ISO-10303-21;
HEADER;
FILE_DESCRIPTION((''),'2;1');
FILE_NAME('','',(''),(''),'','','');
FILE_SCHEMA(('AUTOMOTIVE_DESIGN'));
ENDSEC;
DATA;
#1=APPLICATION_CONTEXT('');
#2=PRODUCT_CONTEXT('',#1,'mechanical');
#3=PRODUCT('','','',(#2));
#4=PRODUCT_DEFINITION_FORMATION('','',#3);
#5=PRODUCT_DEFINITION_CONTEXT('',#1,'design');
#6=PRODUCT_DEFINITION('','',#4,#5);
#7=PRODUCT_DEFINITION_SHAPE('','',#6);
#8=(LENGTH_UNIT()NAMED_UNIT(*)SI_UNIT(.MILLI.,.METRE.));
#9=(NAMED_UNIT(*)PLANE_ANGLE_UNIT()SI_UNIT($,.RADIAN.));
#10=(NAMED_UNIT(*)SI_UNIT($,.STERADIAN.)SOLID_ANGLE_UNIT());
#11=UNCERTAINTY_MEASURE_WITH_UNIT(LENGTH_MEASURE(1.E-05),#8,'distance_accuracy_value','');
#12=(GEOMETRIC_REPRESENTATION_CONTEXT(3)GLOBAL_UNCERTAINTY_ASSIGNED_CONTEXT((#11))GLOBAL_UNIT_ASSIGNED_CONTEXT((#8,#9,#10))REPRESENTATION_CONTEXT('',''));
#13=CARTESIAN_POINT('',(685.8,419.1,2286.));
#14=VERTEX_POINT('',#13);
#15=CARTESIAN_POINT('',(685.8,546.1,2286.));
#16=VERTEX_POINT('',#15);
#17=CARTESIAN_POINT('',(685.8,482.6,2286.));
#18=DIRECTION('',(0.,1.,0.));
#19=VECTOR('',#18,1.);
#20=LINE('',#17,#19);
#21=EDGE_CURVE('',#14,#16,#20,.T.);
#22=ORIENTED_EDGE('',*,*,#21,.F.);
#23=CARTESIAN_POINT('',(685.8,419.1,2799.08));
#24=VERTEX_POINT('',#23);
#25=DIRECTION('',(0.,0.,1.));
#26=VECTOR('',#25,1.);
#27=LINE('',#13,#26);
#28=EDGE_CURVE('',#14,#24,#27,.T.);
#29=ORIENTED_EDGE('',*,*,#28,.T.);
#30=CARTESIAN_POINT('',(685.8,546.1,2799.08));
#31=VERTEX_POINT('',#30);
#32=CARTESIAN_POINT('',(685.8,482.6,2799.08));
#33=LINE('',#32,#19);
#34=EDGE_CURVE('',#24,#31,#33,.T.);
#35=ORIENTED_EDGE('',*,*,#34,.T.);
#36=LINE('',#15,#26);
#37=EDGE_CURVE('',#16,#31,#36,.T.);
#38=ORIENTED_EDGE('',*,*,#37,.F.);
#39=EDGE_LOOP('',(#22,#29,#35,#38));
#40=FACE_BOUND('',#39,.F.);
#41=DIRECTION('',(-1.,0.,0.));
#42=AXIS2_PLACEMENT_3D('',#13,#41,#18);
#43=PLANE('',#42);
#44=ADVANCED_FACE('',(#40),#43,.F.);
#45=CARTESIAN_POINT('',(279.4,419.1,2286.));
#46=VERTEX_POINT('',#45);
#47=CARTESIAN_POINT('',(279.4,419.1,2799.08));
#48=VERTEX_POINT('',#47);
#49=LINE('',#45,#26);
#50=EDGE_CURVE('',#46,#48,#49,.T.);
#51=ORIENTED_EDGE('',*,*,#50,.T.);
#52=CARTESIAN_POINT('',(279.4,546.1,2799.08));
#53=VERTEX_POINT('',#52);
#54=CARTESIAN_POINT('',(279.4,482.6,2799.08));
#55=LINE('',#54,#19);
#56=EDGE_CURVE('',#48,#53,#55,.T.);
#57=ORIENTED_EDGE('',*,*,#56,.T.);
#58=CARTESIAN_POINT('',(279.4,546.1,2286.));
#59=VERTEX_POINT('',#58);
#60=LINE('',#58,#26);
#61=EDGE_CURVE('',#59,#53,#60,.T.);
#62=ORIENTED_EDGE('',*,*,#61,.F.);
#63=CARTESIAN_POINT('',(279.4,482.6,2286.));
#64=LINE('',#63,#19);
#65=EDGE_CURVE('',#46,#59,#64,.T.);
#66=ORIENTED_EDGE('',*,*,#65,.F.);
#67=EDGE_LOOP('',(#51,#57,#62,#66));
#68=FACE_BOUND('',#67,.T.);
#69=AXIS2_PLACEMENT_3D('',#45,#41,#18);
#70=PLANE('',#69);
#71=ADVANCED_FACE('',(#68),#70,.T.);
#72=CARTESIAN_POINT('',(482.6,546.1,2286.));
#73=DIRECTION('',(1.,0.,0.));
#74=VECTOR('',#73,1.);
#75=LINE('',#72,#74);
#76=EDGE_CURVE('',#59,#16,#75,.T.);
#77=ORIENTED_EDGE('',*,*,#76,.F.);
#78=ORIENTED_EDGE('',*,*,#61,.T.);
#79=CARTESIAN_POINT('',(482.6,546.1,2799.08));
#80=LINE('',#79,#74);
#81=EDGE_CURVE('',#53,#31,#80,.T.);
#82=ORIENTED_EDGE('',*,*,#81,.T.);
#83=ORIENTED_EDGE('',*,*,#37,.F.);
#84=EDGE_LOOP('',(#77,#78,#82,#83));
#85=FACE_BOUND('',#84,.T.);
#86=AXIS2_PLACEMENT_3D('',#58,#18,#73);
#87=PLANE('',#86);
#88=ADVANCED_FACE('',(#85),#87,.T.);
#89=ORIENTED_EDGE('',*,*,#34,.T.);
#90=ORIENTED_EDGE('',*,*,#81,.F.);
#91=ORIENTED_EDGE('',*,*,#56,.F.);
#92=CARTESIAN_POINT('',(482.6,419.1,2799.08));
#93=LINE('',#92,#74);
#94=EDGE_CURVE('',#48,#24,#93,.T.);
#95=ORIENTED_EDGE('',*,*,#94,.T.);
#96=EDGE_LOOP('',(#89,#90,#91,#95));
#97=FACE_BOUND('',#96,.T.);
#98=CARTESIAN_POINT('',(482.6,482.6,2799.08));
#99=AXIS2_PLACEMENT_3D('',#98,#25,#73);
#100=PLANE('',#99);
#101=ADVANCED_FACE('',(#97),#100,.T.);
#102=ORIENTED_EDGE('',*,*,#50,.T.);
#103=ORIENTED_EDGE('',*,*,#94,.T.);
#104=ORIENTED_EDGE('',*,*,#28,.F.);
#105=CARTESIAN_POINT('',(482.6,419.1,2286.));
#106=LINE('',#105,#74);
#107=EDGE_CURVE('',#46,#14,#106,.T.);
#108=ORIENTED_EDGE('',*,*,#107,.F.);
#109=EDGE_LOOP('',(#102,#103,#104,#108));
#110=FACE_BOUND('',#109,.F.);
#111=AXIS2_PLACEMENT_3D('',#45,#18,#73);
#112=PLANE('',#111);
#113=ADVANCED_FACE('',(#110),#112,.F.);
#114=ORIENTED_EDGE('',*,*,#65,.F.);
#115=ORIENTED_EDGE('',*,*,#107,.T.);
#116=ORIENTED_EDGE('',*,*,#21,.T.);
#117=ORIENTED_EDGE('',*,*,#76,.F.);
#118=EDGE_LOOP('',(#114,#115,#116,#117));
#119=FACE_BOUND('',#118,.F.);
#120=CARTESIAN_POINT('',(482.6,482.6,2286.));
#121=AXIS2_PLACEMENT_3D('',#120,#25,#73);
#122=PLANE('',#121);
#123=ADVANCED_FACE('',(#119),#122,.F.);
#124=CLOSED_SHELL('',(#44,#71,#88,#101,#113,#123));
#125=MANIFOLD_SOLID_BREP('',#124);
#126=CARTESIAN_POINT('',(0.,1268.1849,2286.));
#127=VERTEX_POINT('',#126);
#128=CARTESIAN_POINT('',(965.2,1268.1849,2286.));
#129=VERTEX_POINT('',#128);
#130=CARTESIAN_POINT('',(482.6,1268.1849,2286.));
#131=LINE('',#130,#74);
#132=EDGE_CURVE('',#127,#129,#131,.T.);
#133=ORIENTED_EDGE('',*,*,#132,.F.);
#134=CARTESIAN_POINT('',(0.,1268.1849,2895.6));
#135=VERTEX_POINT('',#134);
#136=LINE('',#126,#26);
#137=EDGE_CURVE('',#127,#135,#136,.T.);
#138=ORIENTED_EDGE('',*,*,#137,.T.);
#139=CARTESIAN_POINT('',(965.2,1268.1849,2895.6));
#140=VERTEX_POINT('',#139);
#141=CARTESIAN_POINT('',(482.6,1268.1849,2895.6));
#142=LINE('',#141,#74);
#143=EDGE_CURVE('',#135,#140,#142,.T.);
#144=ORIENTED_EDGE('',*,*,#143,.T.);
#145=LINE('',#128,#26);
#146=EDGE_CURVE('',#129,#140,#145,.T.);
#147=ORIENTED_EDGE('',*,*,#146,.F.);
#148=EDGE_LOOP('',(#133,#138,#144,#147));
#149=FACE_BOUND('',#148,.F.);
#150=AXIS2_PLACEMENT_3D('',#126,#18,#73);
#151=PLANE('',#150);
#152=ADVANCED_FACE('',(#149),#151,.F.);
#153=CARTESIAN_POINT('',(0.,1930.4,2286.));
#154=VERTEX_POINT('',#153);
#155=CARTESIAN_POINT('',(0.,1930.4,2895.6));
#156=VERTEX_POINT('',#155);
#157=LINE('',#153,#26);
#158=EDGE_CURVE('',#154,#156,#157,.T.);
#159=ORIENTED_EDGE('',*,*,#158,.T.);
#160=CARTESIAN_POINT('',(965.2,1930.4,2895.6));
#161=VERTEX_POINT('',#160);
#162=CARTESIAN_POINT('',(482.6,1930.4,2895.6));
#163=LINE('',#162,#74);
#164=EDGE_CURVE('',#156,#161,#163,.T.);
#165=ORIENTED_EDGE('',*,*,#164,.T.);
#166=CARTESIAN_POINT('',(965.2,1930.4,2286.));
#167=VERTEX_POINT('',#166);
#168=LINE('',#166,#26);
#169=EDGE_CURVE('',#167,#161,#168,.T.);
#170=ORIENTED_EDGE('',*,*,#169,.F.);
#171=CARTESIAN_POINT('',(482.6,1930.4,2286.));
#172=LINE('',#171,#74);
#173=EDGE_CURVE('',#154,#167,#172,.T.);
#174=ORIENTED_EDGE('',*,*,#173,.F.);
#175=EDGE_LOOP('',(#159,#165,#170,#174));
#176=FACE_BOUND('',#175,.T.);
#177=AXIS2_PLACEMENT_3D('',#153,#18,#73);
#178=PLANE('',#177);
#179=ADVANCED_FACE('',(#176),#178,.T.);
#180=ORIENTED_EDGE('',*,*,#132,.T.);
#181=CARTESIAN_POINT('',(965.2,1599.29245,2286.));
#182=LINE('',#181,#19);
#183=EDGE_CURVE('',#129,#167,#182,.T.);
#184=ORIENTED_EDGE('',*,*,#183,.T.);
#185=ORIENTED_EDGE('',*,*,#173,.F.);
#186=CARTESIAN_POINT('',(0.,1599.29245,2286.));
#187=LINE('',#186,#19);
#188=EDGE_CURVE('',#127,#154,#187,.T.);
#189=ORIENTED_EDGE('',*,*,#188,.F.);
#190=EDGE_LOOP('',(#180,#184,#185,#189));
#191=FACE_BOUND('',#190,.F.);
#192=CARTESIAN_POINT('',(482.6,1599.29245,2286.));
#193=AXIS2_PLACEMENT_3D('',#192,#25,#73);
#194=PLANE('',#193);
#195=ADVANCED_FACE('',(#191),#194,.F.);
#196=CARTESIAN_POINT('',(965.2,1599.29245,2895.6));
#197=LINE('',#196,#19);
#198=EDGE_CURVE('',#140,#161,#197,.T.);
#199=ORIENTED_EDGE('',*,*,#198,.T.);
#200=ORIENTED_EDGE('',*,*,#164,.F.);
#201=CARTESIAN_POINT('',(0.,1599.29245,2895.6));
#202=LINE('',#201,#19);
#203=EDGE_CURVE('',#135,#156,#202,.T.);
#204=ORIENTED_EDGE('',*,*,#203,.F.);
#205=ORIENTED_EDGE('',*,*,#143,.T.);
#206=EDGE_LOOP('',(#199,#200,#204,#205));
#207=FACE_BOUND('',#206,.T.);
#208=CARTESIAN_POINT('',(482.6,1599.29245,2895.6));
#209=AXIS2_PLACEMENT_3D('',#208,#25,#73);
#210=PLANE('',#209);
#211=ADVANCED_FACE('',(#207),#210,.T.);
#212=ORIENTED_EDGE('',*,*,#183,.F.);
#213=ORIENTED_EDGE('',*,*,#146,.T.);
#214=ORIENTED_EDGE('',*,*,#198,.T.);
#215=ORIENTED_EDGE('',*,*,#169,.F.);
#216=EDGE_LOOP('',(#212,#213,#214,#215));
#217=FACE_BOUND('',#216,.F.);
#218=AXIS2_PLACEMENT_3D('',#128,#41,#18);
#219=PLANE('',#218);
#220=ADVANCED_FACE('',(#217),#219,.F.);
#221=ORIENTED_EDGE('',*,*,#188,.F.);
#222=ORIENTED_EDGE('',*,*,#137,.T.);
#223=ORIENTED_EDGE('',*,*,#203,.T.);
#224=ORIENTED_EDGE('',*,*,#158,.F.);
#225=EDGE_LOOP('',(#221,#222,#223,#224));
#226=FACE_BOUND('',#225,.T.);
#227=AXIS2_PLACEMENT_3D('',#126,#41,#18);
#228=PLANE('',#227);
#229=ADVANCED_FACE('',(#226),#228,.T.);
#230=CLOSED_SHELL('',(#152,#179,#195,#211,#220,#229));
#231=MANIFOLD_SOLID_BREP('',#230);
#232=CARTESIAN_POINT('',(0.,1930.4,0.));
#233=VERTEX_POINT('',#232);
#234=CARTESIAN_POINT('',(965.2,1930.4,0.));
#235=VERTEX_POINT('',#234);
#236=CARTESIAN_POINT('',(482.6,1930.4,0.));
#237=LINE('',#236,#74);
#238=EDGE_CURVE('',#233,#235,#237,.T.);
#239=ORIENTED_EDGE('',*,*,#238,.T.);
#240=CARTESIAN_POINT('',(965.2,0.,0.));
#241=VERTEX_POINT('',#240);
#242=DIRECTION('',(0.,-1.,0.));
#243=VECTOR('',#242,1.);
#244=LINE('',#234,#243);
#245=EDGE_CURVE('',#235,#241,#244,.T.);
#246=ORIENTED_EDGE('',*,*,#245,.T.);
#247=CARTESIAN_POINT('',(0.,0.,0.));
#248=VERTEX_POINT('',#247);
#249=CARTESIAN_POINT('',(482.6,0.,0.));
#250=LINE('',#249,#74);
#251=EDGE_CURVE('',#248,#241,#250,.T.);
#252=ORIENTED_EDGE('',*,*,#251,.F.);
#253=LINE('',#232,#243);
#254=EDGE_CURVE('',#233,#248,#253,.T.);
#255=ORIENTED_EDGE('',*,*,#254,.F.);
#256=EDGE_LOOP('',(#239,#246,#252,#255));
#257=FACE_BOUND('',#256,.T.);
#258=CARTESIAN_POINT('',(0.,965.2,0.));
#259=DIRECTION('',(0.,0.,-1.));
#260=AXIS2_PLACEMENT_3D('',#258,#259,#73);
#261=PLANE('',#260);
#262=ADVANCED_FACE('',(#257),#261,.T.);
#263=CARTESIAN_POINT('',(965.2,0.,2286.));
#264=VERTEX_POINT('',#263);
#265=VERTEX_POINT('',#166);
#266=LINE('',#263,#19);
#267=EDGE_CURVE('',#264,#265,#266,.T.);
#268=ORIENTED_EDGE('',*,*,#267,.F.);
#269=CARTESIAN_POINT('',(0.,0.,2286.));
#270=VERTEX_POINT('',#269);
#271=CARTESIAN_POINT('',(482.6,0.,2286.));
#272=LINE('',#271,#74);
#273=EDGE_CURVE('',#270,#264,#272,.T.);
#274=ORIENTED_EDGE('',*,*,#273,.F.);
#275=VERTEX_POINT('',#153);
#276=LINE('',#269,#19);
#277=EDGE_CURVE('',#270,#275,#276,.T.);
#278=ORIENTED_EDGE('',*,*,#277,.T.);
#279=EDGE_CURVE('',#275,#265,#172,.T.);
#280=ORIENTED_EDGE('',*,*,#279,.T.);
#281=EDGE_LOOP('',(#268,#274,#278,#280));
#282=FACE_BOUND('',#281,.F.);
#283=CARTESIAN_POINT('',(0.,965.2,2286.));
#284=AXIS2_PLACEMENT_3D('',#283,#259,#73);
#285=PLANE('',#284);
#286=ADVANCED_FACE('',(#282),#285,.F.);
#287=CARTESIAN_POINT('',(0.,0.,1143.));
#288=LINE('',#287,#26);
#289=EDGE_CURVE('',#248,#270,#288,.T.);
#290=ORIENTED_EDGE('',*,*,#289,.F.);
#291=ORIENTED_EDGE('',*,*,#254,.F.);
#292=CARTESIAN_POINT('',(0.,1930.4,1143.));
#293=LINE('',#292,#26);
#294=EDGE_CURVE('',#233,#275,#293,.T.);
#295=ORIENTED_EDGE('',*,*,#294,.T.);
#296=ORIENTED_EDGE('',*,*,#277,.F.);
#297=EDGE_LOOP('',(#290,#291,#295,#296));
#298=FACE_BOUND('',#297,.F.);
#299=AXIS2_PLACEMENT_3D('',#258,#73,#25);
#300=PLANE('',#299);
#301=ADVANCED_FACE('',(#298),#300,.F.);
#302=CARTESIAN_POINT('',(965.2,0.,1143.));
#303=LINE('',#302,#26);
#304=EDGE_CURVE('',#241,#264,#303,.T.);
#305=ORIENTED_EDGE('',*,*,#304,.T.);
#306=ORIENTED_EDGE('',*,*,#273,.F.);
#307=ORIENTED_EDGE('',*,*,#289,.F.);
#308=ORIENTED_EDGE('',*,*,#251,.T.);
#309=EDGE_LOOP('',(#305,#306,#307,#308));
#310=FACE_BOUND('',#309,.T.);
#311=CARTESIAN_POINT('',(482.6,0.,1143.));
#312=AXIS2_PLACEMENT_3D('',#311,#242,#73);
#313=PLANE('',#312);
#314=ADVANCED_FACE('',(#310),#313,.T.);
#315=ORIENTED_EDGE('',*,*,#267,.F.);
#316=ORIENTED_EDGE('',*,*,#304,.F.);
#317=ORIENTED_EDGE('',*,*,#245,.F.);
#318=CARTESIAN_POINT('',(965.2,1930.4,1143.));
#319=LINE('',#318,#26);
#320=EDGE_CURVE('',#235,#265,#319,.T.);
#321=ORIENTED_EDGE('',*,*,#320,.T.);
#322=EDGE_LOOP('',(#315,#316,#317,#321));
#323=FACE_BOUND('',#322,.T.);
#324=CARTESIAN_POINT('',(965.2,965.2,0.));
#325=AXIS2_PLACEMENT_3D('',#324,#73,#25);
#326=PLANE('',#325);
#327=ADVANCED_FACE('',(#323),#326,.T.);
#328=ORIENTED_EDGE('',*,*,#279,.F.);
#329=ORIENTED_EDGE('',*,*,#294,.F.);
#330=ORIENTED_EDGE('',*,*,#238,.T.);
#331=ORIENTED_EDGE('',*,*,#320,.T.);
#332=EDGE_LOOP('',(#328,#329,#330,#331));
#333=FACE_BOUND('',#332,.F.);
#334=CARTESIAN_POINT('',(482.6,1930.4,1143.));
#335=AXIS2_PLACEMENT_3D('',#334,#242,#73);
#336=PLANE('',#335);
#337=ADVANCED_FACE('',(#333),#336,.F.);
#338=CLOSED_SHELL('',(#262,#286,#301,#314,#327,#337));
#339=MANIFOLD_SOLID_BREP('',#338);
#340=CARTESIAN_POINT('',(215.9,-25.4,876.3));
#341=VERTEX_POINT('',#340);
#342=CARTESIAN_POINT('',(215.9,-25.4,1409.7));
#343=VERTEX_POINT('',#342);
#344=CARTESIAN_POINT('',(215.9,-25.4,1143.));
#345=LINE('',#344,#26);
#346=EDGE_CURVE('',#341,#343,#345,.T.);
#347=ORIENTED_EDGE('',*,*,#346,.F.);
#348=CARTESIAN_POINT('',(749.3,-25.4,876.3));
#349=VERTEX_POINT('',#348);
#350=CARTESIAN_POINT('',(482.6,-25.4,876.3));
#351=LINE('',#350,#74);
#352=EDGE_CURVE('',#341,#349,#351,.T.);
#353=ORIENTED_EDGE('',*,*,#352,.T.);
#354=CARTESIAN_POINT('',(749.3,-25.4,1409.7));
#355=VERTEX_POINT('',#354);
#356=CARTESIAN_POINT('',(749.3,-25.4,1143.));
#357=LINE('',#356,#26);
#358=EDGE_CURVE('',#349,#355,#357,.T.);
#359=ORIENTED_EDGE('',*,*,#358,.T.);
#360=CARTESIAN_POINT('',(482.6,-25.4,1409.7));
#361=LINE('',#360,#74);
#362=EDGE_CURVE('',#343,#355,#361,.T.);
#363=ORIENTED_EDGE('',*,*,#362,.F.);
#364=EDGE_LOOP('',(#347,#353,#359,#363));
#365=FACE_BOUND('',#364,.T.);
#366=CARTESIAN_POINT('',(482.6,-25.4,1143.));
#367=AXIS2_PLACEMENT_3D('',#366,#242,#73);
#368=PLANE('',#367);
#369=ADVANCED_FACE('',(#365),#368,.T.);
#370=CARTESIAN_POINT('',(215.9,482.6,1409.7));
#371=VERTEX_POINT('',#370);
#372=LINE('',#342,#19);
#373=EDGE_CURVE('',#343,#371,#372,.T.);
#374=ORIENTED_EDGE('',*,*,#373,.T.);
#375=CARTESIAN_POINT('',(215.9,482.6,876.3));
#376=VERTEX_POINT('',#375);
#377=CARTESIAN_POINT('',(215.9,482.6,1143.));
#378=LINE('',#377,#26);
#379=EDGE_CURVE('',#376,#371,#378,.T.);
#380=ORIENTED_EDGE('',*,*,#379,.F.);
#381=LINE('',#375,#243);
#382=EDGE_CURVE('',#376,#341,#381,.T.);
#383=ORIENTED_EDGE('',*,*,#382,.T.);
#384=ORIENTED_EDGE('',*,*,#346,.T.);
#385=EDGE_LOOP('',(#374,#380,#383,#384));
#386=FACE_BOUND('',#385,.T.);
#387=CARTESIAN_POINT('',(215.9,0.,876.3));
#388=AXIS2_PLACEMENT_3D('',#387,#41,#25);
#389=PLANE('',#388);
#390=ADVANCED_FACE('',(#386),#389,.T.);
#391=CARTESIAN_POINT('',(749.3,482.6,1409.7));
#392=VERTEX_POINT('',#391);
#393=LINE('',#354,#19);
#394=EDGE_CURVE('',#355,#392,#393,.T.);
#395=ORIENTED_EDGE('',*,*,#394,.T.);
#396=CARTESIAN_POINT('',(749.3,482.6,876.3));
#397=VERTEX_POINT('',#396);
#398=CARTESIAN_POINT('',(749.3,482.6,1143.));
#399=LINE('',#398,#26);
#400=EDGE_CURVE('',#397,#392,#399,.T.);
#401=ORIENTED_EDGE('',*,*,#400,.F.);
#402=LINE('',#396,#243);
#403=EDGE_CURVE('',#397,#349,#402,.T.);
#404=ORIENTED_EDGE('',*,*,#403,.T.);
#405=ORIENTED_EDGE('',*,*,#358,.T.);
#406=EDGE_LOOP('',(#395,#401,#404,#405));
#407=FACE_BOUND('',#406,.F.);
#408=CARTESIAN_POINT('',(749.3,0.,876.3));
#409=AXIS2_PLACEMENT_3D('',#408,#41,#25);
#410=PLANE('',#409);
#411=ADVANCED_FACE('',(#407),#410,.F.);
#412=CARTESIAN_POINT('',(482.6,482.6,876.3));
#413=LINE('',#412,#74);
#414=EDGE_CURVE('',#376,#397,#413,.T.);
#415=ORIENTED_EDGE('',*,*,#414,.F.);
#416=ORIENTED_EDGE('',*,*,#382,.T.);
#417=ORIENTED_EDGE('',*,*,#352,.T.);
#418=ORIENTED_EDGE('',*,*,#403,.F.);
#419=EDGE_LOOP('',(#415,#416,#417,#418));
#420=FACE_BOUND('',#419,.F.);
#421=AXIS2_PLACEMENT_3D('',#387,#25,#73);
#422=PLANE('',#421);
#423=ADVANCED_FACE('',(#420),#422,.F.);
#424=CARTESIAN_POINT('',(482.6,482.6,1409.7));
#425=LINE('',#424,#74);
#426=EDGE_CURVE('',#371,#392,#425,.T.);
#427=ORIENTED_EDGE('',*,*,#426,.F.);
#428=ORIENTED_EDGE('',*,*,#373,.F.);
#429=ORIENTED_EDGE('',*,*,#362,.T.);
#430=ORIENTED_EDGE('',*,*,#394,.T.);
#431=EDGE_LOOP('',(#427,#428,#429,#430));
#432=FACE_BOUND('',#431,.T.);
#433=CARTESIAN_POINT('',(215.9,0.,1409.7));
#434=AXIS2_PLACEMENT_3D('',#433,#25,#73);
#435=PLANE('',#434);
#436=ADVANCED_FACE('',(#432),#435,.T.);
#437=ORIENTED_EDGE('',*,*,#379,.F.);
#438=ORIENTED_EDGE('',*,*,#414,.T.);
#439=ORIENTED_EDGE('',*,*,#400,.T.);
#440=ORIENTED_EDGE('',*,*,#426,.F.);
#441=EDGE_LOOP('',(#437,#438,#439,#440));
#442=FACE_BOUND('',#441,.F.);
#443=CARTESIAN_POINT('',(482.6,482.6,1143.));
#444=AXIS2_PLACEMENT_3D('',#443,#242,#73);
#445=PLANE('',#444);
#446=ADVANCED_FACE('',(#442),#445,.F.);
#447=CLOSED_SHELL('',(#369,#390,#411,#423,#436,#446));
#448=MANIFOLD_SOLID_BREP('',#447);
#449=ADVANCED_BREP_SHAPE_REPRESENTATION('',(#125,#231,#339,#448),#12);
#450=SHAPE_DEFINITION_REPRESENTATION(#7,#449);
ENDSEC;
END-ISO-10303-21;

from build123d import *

# Parameters (mm, degrees)
F0_W      = 965.2
F0_H      = 2286
F1_DEPTH  = 965.2
F2_DEPTH  = 965.2
F3_W      = 406.4
F3_H      = 127
F4_DEPTH  = 513.08
F5_W      = 533.4
F5_H      = 533.4
F6_DEPTH  = 482.6
F7_DEPTH  = 25.4
F9_W      = 965.2
F9_H      = 662.2150997162
F10_DEPTH = 609.6


with BuildPart() as f1:
    # F0 (on Front) → F1 (new body)
    with BuildSketch(Plane.XZ):
        with Locations((482.6, 1143)):
            Rectangle(F0_W, F0_H)
    extrude(amount=-F1_DEPTH)


with BuildPart() as f2:
    # F2 (new): a face of the model
    f2_faces = [f1.part.faces().sort_by_distance(p)[0] for p in [
        (482.6, 965.2, 1143),
    ]]
    extrude(f2_faces, amount=F2_DEPTH)


with BuildPart() as f4:
    # F3 (on face) → F4 (new body)
    with BuildSketch(Plane.XY.offset(2286)):
        with Locations((482.6, 482.6)):
            Rectangle(F3_W, F3_H)
    extrude(amount=F4_DEPTH)


with BuildPart() as f6:
    # F5 (on Front) → F6 (new body)
    with BuildSketch(Plane.XZ):
        with Locations((482.6, 1143)):
            Rectangle(F5_W, F5_H)
    extrude(amount=-F6_DEPTH)

    # F5 (on Front) → F7 (join)
    with BuildSketch(Plane.XZ):
        with Locations((482.6, 1143)):
            Rectangle(F5_W, F5_H)
    extrude(amount=F7_DEPTH)


with BuildPart() as f1_1:
    add(f1.part)

    # F8: union F2
    add(f2.part)


with BuildPart() as f10:
    # F9 (on face) → F10 (new body)
    with BuildSketch(Plane.XY.offset(2286)):
        with Locations((482.6, 1599.2924501419)):
            Rectangle(F9_W, F9_H)
    extrude(amount=F10_DEPTH)


solid = Compound([f4.part, f6.part, f1_1.part, f10.part])
